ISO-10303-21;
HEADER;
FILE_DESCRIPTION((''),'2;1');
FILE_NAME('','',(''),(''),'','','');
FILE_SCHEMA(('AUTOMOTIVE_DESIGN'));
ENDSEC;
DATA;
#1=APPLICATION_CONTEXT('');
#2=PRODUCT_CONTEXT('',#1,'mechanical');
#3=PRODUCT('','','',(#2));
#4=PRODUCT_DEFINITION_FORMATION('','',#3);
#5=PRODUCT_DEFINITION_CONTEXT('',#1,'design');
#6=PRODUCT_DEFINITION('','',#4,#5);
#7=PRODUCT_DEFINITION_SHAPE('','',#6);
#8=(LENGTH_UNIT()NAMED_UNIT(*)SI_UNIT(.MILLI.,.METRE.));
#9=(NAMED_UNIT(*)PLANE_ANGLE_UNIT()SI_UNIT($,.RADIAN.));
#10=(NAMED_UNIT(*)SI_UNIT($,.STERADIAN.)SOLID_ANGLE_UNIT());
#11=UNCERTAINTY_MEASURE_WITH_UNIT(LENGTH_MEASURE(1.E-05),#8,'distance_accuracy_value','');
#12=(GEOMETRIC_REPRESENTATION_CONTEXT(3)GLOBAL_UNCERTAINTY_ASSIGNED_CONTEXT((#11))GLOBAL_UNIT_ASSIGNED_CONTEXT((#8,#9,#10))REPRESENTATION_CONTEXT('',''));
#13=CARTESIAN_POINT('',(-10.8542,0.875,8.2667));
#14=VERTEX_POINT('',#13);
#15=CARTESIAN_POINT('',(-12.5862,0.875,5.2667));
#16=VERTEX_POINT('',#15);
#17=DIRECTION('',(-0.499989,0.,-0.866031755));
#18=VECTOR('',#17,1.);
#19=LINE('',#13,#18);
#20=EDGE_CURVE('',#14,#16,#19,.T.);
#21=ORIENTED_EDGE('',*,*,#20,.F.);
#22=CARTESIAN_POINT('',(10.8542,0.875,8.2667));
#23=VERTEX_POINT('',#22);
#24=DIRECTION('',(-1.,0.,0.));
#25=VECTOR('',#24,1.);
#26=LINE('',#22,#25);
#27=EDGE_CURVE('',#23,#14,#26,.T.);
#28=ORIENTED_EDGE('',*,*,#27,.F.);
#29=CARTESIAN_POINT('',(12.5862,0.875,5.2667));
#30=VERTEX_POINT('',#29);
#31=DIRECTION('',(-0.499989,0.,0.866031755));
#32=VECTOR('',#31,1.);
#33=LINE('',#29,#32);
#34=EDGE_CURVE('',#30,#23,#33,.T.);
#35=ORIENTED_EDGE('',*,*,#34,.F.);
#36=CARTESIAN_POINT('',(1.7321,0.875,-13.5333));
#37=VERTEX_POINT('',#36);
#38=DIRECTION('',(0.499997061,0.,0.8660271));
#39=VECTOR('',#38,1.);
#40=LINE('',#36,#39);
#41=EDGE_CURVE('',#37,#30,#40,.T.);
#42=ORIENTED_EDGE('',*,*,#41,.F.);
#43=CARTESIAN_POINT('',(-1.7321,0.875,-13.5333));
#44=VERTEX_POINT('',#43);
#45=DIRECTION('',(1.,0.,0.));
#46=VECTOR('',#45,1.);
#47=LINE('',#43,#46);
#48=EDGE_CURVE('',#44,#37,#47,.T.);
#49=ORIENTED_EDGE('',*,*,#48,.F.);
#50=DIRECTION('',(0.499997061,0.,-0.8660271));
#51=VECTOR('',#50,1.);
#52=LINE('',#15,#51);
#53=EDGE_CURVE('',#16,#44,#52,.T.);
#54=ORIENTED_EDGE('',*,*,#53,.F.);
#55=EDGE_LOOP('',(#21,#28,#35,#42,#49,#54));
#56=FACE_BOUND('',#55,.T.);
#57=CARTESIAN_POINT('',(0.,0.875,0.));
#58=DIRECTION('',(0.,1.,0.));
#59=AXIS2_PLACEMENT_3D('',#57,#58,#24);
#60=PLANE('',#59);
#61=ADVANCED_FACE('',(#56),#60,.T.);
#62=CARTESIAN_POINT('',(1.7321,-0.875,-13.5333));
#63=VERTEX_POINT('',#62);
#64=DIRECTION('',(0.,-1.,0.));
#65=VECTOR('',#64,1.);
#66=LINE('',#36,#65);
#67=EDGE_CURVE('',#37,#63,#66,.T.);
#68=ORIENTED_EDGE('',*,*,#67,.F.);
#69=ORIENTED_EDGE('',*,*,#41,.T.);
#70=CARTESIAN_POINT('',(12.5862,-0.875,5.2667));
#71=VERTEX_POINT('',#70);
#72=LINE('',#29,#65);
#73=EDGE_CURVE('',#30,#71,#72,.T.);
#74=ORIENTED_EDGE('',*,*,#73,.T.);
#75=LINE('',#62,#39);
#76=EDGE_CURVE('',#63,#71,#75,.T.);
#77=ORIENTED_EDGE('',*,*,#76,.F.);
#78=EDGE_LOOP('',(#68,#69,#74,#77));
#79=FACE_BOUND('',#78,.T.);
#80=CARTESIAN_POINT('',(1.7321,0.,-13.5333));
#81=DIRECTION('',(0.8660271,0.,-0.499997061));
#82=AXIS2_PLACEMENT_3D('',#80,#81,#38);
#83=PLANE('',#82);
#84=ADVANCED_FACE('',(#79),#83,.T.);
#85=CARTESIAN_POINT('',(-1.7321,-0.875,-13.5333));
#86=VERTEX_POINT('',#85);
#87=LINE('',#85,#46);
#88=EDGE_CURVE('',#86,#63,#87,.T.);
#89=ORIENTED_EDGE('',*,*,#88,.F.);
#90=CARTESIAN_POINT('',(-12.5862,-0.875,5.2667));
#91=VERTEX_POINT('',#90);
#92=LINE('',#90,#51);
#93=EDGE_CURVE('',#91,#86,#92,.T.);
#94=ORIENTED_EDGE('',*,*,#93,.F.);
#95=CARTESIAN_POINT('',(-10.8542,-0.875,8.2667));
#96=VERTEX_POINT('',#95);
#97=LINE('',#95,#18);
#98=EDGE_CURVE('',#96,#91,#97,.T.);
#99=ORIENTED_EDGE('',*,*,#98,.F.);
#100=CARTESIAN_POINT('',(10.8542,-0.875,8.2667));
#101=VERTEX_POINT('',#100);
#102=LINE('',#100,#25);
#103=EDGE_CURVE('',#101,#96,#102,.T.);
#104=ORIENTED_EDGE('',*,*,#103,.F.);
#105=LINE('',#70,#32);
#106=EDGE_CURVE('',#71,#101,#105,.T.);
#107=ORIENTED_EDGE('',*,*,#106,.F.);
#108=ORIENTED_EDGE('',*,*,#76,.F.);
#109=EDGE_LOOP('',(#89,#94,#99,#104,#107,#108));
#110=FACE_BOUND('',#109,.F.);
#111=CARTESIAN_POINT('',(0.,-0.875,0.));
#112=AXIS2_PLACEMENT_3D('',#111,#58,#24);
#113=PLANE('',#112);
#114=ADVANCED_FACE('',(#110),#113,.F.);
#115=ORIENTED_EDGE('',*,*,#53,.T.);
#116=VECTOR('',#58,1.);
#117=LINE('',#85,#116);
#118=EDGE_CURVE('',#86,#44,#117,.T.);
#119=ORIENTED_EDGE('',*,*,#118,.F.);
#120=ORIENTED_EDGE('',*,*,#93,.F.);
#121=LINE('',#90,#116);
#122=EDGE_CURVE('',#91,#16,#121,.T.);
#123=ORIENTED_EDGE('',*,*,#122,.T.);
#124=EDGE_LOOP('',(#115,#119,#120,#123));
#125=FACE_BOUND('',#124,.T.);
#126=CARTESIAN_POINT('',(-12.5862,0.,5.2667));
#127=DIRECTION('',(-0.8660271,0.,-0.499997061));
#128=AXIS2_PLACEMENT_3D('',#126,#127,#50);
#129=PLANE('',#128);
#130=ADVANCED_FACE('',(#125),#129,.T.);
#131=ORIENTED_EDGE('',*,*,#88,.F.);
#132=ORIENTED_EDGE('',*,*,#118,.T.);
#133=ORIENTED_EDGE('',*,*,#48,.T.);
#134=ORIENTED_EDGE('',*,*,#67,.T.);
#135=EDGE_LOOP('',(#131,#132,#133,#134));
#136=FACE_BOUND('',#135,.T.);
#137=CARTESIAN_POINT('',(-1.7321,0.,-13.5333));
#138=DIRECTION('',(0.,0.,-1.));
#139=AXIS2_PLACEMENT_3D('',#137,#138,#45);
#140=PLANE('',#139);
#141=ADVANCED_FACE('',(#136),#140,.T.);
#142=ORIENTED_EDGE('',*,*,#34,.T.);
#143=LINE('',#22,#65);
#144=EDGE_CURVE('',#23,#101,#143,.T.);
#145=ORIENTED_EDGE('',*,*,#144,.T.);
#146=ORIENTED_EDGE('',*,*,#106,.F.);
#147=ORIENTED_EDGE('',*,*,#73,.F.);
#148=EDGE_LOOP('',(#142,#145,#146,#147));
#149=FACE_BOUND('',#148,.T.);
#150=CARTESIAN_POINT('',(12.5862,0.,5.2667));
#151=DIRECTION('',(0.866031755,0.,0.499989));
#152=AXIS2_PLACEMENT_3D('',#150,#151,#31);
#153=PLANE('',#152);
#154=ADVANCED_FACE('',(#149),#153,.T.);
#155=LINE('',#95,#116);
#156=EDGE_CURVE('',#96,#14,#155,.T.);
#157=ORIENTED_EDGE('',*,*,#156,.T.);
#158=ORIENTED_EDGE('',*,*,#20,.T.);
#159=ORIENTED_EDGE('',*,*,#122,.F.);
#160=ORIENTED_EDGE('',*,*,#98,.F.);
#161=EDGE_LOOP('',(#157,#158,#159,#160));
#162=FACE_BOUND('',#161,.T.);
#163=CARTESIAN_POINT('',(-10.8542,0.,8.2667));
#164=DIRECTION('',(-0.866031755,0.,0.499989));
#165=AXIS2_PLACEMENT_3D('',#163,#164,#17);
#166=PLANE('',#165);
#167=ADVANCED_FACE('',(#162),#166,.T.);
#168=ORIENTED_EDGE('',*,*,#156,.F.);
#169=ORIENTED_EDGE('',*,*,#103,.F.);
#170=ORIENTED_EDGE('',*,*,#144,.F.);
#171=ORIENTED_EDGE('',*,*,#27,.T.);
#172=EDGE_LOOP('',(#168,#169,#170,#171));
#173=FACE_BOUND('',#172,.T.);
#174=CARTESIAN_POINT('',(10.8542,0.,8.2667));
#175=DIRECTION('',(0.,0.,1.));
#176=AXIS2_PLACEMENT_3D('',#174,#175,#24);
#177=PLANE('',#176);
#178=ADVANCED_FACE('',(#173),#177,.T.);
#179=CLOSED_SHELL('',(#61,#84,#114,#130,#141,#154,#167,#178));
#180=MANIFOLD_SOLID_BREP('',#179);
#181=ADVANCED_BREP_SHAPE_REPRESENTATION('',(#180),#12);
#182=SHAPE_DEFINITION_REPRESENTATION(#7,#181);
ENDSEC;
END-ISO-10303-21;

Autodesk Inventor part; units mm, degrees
ref_plane "YZ Plane" through (0, 0, 0) normal (1, 0, 0) x (0, 1, 0)
ref_plane "XZ Plane" through (0, 0, 0) normal (0, 1, 0) x (-1, 0, 0)
ref_plane "XY Plane" through (0, 0, 0) normal (0, 0, 1) x (1, 0, 0)
sketch "Sketch1" plane through (0, 0, 0) normal (0, 1, 0) x (-1, 0, 0)
  line L0 (1.7321, -13.5333) -> (-1.7321, -13.5333)
  line L1 (-1.7321, -13.5333) -> (-12.5862, 5.2667)
  line L2 (-12.5862, 5.2667) -> (-10.8542, 8.2667)
  line L3 (-10.8542, 8.2667) -> (10.8542, 8.2667)
  line L4 (10.8542, 8.2667) -> (12.5862, 5.2667)
  line L5 (12.5862, 5.2667) -> (1.7321, -13.5333)
  circle A0 centre (0, 0) radius 8.2667 construction
  point P0 (0, -16.5333)
  dimension "d0" = 21.8
  dimension "d1" = 3.4641
  dimension "d4" = 24.8
extrude "Extrusion1" add sketch "Sketch1" along normal mid plane 1.75
equation "\"d0\" = TriangleTrimmed"
equation "\"d4\" = TriangleHeight"
equation "\"TriangleTrimmed\" = 21.8"
equation "\"TriangleHeight\" = 24.8"
properties part number "CommandToken_Single" material "Paper"
